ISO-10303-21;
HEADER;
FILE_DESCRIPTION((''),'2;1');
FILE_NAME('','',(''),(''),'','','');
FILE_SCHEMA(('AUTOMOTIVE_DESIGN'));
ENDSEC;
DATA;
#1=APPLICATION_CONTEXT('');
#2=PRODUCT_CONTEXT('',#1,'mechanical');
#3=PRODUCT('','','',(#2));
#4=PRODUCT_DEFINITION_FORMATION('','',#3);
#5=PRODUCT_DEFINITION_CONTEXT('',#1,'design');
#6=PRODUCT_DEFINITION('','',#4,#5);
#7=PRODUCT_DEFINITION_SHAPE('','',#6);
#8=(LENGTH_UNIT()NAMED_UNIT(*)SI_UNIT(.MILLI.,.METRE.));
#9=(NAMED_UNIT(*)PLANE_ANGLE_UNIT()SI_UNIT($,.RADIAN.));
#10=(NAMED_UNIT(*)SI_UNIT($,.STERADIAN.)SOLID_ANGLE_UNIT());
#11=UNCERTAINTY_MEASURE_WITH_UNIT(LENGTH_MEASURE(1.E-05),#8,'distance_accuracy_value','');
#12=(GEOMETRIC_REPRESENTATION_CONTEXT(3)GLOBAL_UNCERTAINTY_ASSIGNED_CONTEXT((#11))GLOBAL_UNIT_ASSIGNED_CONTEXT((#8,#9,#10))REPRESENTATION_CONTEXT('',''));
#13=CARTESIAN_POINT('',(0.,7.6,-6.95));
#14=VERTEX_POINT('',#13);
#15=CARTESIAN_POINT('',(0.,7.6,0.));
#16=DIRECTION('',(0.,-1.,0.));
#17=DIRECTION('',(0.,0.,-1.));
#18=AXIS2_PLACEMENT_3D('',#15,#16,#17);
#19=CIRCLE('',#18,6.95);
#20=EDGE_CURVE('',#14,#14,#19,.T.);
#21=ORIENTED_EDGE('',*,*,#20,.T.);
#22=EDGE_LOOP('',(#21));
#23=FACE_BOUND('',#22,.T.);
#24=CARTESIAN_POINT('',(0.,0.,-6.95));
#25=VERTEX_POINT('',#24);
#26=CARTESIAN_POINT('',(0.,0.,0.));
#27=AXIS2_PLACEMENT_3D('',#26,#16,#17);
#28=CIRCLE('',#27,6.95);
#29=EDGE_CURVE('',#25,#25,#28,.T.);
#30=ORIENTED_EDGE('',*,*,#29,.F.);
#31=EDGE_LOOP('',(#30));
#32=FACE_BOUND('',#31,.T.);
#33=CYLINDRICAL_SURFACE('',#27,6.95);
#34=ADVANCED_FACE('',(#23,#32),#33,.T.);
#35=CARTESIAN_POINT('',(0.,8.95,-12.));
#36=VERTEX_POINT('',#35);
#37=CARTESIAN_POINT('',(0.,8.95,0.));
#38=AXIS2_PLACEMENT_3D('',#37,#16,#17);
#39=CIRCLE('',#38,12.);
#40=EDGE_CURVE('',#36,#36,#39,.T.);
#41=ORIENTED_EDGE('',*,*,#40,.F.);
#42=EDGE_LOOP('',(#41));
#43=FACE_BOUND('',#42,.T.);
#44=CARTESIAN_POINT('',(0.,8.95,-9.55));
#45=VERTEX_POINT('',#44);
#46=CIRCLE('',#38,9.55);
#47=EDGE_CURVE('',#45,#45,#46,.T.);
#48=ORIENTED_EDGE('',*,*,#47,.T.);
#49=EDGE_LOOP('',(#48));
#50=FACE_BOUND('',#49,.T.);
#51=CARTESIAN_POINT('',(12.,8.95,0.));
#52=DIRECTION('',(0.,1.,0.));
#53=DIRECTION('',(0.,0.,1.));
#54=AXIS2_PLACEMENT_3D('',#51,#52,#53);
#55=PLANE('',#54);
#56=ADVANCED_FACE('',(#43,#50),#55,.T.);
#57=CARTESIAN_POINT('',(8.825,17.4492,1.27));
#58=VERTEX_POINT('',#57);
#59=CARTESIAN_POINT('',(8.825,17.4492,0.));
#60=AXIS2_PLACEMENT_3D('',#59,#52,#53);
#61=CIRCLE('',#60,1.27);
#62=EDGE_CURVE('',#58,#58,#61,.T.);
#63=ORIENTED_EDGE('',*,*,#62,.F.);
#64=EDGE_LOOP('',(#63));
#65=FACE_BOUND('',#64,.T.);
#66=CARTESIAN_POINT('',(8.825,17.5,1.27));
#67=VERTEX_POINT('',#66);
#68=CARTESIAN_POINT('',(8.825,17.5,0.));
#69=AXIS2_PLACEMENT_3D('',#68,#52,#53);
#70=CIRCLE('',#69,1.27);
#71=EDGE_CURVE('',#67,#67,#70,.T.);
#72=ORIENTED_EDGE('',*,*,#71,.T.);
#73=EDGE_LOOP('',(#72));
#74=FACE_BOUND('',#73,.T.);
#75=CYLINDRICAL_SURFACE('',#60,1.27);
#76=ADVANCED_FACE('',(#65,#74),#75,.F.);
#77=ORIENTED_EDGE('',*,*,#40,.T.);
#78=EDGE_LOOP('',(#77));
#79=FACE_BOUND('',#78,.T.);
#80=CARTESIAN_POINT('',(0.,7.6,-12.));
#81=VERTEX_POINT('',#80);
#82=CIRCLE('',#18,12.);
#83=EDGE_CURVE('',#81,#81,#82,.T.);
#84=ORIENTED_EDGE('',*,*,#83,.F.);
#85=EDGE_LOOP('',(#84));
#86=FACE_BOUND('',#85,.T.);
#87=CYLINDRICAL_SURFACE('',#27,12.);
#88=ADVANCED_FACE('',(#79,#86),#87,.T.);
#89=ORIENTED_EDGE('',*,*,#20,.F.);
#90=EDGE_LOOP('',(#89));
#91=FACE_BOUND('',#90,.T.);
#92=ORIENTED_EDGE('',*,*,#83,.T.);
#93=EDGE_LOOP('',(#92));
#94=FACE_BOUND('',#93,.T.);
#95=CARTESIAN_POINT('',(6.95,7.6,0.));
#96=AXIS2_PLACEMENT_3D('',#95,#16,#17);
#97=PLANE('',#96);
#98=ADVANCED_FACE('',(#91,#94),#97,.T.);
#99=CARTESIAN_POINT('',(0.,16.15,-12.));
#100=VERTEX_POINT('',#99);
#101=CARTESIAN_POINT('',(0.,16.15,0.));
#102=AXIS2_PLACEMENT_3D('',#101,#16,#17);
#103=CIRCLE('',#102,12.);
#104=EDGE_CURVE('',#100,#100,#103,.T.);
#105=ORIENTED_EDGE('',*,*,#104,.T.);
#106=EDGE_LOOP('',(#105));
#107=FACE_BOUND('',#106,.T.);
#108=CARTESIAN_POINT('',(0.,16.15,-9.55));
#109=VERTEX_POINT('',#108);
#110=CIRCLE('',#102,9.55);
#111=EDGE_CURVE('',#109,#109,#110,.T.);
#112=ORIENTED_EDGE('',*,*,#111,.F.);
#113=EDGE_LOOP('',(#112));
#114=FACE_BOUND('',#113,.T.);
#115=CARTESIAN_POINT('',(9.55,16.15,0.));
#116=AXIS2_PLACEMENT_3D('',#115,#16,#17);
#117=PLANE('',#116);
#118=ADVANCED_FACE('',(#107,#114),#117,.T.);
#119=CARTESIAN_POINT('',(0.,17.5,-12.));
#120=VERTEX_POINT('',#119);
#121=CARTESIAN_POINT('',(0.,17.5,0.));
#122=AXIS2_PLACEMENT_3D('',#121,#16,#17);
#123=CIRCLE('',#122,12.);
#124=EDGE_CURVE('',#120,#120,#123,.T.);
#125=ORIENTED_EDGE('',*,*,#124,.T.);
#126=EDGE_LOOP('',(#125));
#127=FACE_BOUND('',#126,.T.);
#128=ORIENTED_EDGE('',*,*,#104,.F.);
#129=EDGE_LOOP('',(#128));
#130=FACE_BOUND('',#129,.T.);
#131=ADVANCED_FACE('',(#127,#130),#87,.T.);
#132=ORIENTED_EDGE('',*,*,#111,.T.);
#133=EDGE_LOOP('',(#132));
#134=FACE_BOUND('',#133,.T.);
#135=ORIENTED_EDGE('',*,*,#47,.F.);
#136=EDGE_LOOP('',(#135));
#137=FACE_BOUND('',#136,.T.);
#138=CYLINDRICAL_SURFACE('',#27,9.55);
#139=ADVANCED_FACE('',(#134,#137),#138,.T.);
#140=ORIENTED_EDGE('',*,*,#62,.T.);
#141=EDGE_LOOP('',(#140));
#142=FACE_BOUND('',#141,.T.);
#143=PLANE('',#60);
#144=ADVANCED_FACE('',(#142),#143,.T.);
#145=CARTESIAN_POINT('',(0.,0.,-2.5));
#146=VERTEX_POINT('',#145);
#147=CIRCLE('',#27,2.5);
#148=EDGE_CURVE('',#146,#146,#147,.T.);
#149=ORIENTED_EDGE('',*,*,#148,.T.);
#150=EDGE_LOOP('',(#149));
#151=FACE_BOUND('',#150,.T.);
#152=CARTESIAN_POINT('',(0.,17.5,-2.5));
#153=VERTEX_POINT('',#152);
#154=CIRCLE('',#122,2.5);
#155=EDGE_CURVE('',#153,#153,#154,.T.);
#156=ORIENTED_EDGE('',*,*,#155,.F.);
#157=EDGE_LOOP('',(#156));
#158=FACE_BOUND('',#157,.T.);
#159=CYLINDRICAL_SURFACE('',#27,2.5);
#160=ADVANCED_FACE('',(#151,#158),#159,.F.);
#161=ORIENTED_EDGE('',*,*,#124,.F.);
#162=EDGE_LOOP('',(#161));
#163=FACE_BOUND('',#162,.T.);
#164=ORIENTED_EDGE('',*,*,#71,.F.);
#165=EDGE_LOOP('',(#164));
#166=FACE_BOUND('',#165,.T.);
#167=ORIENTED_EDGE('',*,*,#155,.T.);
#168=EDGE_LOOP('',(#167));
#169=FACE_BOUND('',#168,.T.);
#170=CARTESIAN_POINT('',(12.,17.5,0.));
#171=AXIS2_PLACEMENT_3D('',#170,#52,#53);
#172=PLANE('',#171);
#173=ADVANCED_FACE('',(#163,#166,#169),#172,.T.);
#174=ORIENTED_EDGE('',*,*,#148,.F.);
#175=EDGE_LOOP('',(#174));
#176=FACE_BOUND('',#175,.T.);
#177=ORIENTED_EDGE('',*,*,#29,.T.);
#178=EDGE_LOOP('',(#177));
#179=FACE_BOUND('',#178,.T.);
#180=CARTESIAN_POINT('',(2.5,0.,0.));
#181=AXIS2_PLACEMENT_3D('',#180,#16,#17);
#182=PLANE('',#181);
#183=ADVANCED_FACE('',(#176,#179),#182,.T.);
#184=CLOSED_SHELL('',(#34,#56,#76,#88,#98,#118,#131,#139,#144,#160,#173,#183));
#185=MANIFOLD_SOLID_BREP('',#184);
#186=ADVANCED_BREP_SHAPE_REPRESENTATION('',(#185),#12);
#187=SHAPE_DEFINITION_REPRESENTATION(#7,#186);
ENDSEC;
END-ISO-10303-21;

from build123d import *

# Parameters (mm, degrees)
SKETCH2_R          = 1.27
CUT_EXTRUDE1_DEPTH = 0.0508


with BuildPart() as part:
    # Sketch1 → Revolve1 (revolve)
    with BuildSketch(Plane.XY, mode=Mode.PRIVATE) as revolve1_sk:
        Polygon((2.5, 0), (2.5, 17.5), (12, 17.5), (12, 16.15), (9.55, 16.15), (9.55, 8.95), (12, 8.95), (12, 7.6), (6.95, 7.6), (6.95, 0), align=None)
    revolve(revolve1_sk.sketch.rotate(Axis((0, 0, 0), (0, 1, 0)), 90), axis=Axis((0, 0, 0), (0, 1, 0)))

    # Sketch2 → Cut-Extrude1 (cut)
    with BuildSketch(Plane(origin=(0, 17.5, 0), x_dir=(1, 0, 0), z_dir=(0, 1, 0))):
        with Locations(Location((8.825, 0, 0), (0, 0, 270))):
            Circle(SKETCH2_R)
    extrude(amount=-CUT_EXTRUDE1_DEPTH, mode=Mode.SUBTRACT)


solid = part.part
